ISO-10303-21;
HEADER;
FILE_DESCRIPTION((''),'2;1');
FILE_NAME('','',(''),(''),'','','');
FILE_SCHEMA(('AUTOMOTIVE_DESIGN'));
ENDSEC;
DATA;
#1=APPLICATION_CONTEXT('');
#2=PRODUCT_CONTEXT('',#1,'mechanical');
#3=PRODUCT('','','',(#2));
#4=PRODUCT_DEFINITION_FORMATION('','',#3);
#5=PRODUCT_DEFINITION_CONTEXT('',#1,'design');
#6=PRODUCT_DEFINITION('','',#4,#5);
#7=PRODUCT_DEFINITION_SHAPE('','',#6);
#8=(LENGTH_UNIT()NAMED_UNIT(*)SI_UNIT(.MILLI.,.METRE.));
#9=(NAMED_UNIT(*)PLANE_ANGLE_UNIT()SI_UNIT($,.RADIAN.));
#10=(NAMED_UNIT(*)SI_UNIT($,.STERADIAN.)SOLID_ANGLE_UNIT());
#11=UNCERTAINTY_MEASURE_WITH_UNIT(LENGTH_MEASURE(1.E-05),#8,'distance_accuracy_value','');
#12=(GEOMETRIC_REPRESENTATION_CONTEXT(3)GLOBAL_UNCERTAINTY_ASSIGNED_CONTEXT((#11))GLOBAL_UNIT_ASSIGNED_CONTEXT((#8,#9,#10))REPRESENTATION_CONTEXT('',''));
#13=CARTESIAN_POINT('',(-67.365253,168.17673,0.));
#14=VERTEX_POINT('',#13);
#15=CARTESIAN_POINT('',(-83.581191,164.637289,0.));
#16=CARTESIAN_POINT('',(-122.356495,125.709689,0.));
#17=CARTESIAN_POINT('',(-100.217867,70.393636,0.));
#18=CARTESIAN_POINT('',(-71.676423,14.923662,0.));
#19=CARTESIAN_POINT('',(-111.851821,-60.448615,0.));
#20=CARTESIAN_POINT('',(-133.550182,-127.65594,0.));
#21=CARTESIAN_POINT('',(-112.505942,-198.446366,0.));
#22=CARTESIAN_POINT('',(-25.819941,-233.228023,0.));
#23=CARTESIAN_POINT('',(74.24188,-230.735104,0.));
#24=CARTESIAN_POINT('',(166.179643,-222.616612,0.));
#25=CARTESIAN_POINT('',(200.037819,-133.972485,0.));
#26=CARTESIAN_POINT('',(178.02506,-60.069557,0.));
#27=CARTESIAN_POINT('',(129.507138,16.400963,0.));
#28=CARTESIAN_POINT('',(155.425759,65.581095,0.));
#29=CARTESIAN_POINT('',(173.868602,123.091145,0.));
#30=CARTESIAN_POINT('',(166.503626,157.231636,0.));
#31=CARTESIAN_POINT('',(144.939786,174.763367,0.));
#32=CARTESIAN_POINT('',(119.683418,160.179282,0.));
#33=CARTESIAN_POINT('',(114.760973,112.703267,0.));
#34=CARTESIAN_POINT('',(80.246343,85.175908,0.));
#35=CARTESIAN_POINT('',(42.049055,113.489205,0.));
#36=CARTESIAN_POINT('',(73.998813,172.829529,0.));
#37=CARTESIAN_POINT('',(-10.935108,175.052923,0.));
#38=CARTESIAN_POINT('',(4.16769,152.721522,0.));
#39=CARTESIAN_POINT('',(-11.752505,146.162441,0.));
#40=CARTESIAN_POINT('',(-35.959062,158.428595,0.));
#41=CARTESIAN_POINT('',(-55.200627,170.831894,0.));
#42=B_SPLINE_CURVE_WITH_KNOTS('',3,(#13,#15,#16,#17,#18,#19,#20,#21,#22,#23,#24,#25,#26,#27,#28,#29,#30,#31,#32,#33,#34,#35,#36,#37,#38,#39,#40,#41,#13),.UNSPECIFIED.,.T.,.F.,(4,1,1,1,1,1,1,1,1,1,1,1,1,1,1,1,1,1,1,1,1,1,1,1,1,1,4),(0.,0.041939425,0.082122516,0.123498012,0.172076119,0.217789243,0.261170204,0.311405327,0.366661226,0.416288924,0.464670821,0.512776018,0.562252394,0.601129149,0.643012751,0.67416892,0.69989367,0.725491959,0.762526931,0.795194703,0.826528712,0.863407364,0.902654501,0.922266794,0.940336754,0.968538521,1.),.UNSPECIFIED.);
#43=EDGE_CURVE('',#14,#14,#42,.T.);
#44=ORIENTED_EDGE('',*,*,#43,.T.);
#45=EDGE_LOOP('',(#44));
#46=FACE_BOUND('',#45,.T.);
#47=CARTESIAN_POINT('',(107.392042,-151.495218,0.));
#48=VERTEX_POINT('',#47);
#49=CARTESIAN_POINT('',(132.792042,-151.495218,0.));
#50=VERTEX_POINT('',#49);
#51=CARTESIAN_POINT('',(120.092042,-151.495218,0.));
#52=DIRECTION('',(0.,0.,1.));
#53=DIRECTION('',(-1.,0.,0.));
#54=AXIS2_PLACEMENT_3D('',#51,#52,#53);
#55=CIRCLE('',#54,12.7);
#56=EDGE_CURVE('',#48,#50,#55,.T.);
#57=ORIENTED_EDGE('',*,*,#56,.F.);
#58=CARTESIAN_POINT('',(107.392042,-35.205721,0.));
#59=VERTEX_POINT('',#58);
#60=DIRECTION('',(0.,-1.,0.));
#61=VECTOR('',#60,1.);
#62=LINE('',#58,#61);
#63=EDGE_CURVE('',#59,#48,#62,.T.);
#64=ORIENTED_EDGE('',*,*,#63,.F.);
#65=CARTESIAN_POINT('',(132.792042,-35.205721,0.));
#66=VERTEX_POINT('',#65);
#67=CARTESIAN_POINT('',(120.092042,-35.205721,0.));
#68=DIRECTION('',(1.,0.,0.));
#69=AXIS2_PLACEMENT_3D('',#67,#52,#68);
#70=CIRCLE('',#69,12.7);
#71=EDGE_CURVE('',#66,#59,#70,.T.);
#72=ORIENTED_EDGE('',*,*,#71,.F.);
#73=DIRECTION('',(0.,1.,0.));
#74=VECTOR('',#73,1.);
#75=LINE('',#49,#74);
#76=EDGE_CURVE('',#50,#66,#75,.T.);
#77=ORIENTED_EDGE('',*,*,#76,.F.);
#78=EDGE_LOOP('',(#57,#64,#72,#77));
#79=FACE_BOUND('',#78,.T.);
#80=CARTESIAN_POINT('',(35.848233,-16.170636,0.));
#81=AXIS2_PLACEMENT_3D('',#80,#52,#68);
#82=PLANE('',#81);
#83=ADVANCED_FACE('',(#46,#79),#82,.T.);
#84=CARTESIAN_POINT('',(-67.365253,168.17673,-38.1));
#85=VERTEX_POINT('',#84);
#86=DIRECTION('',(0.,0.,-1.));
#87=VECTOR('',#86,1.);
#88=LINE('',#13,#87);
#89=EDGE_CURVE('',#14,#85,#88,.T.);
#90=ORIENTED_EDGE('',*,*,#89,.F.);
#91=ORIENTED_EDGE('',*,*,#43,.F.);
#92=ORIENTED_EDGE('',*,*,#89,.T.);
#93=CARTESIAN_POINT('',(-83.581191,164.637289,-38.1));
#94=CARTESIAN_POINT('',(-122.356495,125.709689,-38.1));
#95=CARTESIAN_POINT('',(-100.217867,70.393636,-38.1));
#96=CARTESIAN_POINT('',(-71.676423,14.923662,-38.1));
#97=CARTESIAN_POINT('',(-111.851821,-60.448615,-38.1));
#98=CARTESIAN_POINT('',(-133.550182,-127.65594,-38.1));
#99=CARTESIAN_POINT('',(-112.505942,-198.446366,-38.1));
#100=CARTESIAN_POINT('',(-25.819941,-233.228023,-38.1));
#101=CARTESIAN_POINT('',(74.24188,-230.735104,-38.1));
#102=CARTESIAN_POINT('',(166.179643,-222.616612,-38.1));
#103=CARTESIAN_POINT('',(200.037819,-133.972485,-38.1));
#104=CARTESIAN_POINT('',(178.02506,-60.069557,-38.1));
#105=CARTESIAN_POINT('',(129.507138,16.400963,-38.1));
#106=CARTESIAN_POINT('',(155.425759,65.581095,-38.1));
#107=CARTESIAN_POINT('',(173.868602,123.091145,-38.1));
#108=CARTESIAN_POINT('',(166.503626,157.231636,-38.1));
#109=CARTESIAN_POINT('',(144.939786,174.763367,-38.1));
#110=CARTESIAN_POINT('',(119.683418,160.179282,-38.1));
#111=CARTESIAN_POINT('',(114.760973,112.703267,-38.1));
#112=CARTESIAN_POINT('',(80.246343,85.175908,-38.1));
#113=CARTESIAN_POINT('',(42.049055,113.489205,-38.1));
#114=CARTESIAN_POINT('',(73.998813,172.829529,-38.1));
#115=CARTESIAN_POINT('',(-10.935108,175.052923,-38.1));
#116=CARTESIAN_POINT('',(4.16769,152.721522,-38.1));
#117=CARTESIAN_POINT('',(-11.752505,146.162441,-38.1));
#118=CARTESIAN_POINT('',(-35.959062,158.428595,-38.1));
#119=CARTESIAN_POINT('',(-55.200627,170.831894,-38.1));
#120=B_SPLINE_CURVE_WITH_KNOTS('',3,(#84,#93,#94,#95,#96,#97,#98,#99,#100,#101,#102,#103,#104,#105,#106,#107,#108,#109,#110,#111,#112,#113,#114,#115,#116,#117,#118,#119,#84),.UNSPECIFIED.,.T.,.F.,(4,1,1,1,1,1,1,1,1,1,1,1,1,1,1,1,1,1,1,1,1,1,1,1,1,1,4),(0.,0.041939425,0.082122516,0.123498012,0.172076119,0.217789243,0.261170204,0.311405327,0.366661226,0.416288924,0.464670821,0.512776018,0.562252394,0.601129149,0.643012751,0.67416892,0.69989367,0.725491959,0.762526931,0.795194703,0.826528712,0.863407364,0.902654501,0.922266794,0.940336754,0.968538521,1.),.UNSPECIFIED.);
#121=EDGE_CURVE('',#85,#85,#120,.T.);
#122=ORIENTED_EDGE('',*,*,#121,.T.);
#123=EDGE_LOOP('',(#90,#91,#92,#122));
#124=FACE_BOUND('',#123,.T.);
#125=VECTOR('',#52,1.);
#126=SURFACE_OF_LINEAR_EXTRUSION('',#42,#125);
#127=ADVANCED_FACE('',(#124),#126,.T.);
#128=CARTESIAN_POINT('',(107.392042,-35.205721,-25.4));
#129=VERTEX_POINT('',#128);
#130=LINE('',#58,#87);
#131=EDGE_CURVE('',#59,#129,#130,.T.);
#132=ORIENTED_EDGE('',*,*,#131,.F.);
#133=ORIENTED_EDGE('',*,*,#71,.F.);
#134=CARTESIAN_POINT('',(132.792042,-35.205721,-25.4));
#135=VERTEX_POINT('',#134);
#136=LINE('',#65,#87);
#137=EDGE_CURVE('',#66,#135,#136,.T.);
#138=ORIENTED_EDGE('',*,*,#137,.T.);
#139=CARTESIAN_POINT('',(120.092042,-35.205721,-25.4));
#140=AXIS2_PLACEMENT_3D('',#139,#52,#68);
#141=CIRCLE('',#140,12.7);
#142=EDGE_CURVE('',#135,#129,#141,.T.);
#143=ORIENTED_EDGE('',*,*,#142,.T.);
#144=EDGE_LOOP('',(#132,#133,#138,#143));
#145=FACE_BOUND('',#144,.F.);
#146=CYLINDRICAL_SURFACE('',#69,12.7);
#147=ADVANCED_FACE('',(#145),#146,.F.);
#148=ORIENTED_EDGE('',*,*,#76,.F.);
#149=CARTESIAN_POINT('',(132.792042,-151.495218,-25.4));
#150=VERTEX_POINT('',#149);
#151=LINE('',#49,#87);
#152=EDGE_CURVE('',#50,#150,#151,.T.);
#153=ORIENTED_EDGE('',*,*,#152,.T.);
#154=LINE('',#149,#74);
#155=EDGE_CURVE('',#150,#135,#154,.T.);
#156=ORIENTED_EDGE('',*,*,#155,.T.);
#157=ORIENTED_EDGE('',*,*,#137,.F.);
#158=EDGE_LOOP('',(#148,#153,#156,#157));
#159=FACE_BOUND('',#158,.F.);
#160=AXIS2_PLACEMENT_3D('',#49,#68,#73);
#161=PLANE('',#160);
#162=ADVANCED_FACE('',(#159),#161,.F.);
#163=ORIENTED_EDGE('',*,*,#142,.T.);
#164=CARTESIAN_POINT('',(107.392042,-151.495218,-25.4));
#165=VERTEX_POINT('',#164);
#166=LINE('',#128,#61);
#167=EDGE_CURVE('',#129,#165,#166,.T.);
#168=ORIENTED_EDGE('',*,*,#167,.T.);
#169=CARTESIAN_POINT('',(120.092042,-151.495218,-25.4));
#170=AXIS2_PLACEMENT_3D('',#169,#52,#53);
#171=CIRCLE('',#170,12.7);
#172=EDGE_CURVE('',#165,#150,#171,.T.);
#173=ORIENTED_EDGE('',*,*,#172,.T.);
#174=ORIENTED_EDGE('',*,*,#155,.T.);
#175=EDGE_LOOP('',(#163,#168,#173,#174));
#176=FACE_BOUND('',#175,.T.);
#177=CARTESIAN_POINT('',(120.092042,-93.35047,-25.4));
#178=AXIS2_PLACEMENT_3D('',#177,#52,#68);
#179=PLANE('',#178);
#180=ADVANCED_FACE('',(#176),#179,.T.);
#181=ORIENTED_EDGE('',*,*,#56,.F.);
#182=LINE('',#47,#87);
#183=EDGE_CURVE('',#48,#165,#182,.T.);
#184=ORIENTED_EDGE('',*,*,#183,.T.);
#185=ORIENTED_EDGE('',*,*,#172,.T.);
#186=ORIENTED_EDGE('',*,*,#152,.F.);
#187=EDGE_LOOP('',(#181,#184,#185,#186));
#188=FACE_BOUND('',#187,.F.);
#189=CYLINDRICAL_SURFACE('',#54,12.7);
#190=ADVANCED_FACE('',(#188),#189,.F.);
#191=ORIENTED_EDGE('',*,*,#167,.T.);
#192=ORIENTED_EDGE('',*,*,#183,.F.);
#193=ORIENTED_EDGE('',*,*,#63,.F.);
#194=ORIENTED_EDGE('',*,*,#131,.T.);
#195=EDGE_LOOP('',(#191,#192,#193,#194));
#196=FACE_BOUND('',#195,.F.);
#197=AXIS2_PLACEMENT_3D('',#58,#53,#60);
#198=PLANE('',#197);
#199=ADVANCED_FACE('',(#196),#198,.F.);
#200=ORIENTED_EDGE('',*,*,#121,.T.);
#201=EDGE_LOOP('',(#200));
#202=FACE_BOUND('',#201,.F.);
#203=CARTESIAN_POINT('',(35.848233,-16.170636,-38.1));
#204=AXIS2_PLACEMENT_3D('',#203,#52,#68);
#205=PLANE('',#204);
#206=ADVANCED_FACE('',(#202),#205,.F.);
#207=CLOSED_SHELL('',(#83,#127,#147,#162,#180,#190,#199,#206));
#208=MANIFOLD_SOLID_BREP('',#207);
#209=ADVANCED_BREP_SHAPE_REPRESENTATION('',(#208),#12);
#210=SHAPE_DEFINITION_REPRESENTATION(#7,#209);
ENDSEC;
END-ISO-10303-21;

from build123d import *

# Parameters (mm, degrees)
F1_DEPTH = 38.1
F2_DEPTH = 25.4


with BuildPart() as f1:
    # F0 (on Top) → F1 (new body)
    with BuildSketch(Plane.XY):
        with BuildLine():
            add(Edge.make_bspline(
                [(-67.3652526132, 168.1767298641), (-83.5811908704, 164.6372888733), (-122.3564946315, 125.709689499), (-100.2178670806, 70.3936357251), (-71.676422695, 14.9236620328), (-111.8518206547, -60.4486149259), (-133.5501824523, -127.6559401367), (-112.5059420472, -198.4463663944), (-25.8199412755, -233.2280231903), (74.241879678, -230.7351044673), (166.179643083, -222.6166115443), (200.0378188239, -133.9724851412), (178.0250602157, -60.0695568989), (129.5071379713, 16.400963236), (155.425758679, 65.5810948897), (173.8686020518, 123.0911453659), (166.5036258143, 157.2316362686), (144.9397857224, 174.7633670651), (119.6834179168, 160.1792822139), (114.7609730284, 112.703267109), (80.2463429493, 85.1759075685), (42.0490546333, 113.4892048767), (73.9988131938, 172.8295290884), (-10.9351081091, 175.0529225401), (4.1676903639, 152.7215217466), (-11.7525053813, 146.1624410286), (-35.959061649, 158.4285954983), (-55.2006270733, 170.8318937892), (-67.3652526132, 168.1767298641)],
                knots=[0, 0, 0, 0, 0.041939425, 0.0821225162, 0.1234980116, 0.1720761189, 0.2177892433, 0.2611702039, 0.311405327, 0.3666612255, 0.4162889241, 0.4646708205, 0.5127760179, 0.5622523938, 0.6011291493, 0.6430127513, 0.6741689204, 0.6998936699, 0.7254919588, 0.7625269311, 0.7951947025, 0.8265287123, 0.8634073644, 0.9026545012, 0.9222667941, 0.9403367536, 0.968538521, 1, 1, 1, 1], degree=3))
        make_face()
        with BuildLine():
            ThreePointArc((-1.8290656763, -48.1254651824), (-8.1337176154, -36.2215744769), (3.77017309, -29.9169225378))
            Line((3.77017309, -29.9169225378), (56.2905561393, -46.0672630968))
            ThreePointArc((56.2905561393, -46.0672630968), (62.5952080784, -57.9711538022), (50.691317373, -64.2758057413))
            Line((50.691317373, -64.2758057413), (-1.8290656763, -48.1254651824))
        make_face(mode=Mode.SUBTRACT)
        with BuildLine():
            ThreePointArc((107.3920417905, -35.2057213325), (120.0920417905, -22.5057213325), (132.7920417905, -35.2057213325))
            Line((132.7920417905, -35.2057213325), (132.7920417905, -151.495218277))
            ThreePointArc((132.7920417905, -151.495218277), (120.0920417905, -164.195218277), (107.3920417905, -151.495218277))
            Line((107.3920417905, -151.495218277), (107.3920417905, -35.2057213325))
        make_face(mode=Mode.SUBTRACT)
        with BuildLine():
            add(Edge.make_bspline(
                [(57.5692921243, 81.1083444838), (45.0139823625, 83.1528408702), (-3.9694727571, 82.7423093661), (-11.3285349917, 77.094664662), (-16.140343429, 69.4610904077), (-9.1929834634, 57.769851657), (18.8315815613, 54.0404447817), (31.6196650703, 53.5187853392), (63.2043267422, 59.7619127213), (68.586123243, 70.2242160398), (65.2029885591, 78.2640879593), (62.2541881105, 80.3454598481), (57.5692921243, 81.1083444838)],
                knots=[0, 0, 0, 0, 0.1942969857, 0.2709432368, 0.3372338453, 0.4200902155, 0.5485446559, 0.6462225252, 0.7832829014, 0.8613740063, 0.9274999036, 1, 1, 1, 1], degree=3))
        make_face(mode=Mode.SUBTRACT)
        with BuildLine():
            add(Edge.make_bspline(
                [(57.5692921243, 81.1083444838), (45.0139823625, 83.1528408702), (-3.9694727571, 82.7423093661), (-11.3285349917, 77.094664662), (-16.140343429, 69.4610904077), (-9.1929834634, 57.769851657), (18.8315815613, 54.0404447817), (31.6196650703, 53.5187853392), (63.2043267422, 59.7619127213), (68.586123243, 70.2242160398), (65.2029885591, 78.2640879593), (62.2541881105, 80.3454598481), (57.5692921243, 81.1083444838)],
                knots=[0, 0, 0, 0, 0.1942969857, 0.2709432368, 0.3372338453, 0.4200902155, 0.5485446559, 0.6462225252, 0.7832829014, 0.8613740063, 0.9274999036, 1, 1, 1, 1], degree=3))
        make_face()
        with BuildLine():
            Line((132.7920417905, -151.495218277), (132.7920417905, -35.2057213325))
            ThreePointArc((132.7920417905, -35.2057213325), (120.0920417905, -22.5057213325), (107.3920417905, -35.2057213325))
            Line((107.3920417905, -35.2057213325), (107.3920417905, -151.495218277))
            ThreePointArc((107.3920417905, -151.495218277), (120.0920417905, -164.195218277), (132.7920417905, -151.495218277))
        make_face()
        with BuildLine():
            Line((56.2905561393, -46.0672630968), (3.77017309, -29.9169225378))
            ThreePointArc((3.77017309, -29.9169225378), (-8.1337176154, -36.2215744769), (-1.8290656763, -48.1254651824))
            Line((-1.8290656763, -48.1254651824), (50.691317373, -64.2758057413))
            ThreePointArc((50.691317373, -64.2758057413), (62.5952080784, -57.9711538022), (56.2905561393, -46.0672630968))
        make_face()
    extrude(amount=-F1_DEPTH)

    # F0 (on Top) → F2 (cut)
    with BuildSketch(Plane.XY):
        with BuildLine():
            Line((132.7920417905, -151.495218277), (132.7920417905, -35.2057213325))
            ThreePointArc((132.7920417905, -35.2057213325), (120.0920417905, -22.5057213325), (107.3920417905, -35.2057213325))
            Line((107.3920417905, -35.2057213325), (107.3920417905, -151.495218277))
            ThreePointArc((107.3920417905, -151.495218277), (120.0920417905, -164.195218277), (132.7920417905, -151.495218277))
        make_face()
    extrude(amount=-F2_DEPTH, mode=Mode.SUBTRACT)


solid = f1.part
